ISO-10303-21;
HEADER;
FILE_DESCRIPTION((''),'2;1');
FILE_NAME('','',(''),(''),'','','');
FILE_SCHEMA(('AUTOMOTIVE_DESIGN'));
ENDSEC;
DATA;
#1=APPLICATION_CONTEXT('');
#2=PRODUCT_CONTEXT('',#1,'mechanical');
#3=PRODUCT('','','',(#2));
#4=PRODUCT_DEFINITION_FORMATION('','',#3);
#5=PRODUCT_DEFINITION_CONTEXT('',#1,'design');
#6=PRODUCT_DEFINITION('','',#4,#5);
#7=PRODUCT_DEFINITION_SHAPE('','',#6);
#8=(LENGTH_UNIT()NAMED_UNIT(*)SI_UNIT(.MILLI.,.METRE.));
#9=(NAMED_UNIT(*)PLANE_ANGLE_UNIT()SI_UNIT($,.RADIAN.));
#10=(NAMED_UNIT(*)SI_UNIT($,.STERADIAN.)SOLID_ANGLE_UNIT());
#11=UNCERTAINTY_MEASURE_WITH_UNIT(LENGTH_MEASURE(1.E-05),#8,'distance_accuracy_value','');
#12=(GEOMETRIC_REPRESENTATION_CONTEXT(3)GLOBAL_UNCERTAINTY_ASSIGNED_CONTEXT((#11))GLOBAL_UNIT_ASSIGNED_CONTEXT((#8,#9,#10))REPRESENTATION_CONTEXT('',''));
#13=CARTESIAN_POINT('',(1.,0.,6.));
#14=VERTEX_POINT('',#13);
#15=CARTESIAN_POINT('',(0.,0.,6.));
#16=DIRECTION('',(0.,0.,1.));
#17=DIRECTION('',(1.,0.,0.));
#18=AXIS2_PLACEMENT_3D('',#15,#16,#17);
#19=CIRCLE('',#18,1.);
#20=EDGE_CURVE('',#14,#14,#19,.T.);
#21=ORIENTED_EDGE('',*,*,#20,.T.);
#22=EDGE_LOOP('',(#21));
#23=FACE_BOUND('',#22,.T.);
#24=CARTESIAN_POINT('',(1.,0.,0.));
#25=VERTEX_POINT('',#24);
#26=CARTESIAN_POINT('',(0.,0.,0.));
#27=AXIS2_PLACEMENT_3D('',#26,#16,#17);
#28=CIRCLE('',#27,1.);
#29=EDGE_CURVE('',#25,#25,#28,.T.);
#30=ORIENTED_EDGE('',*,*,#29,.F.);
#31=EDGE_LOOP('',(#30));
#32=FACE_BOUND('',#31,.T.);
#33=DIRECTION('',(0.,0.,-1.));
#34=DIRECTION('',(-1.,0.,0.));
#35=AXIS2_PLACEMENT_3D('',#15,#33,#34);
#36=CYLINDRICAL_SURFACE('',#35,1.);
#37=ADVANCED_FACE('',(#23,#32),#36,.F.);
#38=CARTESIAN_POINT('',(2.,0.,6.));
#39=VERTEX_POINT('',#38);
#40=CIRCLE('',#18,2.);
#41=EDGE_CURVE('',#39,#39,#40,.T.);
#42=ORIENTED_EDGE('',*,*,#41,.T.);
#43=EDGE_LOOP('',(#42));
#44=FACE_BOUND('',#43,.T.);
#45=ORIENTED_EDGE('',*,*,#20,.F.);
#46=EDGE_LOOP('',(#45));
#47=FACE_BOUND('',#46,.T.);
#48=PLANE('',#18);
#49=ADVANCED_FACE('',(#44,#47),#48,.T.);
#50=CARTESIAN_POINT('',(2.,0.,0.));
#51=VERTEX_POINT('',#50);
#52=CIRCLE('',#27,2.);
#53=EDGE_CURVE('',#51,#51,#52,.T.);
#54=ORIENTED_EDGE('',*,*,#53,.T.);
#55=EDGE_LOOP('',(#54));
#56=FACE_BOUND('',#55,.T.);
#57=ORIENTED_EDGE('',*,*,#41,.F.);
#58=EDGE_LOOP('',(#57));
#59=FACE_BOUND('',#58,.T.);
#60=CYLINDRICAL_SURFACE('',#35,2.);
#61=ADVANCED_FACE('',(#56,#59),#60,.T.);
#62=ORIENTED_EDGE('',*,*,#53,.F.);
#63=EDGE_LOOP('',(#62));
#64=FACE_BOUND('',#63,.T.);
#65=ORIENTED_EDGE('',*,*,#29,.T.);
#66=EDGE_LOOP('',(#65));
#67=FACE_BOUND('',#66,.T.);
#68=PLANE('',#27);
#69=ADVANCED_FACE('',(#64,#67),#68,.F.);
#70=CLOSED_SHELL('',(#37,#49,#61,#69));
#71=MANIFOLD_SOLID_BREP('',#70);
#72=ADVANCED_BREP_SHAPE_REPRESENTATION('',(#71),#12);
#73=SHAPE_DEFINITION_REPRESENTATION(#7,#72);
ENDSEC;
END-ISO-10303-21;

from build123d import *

# Parameters (mm, degrees)
ESQUISSE1_R        = 2
ESQUISSE1_R_2      = 1
BOSS_EXTRU_1_DEPTH = 6


with BuildPart() as part:
    # Esquisse1 → Boss.-Extru.1 (new body)
    with BuildSketch(Plane.XY):
        Circle(ESQUISSE1_R)
        Circle(ESQUISSE1_R_2, mode=Mode.SUBTRACT)
    extrude(amount=BOSS_EXTRU_1_DEPTH)


solid = part.part
